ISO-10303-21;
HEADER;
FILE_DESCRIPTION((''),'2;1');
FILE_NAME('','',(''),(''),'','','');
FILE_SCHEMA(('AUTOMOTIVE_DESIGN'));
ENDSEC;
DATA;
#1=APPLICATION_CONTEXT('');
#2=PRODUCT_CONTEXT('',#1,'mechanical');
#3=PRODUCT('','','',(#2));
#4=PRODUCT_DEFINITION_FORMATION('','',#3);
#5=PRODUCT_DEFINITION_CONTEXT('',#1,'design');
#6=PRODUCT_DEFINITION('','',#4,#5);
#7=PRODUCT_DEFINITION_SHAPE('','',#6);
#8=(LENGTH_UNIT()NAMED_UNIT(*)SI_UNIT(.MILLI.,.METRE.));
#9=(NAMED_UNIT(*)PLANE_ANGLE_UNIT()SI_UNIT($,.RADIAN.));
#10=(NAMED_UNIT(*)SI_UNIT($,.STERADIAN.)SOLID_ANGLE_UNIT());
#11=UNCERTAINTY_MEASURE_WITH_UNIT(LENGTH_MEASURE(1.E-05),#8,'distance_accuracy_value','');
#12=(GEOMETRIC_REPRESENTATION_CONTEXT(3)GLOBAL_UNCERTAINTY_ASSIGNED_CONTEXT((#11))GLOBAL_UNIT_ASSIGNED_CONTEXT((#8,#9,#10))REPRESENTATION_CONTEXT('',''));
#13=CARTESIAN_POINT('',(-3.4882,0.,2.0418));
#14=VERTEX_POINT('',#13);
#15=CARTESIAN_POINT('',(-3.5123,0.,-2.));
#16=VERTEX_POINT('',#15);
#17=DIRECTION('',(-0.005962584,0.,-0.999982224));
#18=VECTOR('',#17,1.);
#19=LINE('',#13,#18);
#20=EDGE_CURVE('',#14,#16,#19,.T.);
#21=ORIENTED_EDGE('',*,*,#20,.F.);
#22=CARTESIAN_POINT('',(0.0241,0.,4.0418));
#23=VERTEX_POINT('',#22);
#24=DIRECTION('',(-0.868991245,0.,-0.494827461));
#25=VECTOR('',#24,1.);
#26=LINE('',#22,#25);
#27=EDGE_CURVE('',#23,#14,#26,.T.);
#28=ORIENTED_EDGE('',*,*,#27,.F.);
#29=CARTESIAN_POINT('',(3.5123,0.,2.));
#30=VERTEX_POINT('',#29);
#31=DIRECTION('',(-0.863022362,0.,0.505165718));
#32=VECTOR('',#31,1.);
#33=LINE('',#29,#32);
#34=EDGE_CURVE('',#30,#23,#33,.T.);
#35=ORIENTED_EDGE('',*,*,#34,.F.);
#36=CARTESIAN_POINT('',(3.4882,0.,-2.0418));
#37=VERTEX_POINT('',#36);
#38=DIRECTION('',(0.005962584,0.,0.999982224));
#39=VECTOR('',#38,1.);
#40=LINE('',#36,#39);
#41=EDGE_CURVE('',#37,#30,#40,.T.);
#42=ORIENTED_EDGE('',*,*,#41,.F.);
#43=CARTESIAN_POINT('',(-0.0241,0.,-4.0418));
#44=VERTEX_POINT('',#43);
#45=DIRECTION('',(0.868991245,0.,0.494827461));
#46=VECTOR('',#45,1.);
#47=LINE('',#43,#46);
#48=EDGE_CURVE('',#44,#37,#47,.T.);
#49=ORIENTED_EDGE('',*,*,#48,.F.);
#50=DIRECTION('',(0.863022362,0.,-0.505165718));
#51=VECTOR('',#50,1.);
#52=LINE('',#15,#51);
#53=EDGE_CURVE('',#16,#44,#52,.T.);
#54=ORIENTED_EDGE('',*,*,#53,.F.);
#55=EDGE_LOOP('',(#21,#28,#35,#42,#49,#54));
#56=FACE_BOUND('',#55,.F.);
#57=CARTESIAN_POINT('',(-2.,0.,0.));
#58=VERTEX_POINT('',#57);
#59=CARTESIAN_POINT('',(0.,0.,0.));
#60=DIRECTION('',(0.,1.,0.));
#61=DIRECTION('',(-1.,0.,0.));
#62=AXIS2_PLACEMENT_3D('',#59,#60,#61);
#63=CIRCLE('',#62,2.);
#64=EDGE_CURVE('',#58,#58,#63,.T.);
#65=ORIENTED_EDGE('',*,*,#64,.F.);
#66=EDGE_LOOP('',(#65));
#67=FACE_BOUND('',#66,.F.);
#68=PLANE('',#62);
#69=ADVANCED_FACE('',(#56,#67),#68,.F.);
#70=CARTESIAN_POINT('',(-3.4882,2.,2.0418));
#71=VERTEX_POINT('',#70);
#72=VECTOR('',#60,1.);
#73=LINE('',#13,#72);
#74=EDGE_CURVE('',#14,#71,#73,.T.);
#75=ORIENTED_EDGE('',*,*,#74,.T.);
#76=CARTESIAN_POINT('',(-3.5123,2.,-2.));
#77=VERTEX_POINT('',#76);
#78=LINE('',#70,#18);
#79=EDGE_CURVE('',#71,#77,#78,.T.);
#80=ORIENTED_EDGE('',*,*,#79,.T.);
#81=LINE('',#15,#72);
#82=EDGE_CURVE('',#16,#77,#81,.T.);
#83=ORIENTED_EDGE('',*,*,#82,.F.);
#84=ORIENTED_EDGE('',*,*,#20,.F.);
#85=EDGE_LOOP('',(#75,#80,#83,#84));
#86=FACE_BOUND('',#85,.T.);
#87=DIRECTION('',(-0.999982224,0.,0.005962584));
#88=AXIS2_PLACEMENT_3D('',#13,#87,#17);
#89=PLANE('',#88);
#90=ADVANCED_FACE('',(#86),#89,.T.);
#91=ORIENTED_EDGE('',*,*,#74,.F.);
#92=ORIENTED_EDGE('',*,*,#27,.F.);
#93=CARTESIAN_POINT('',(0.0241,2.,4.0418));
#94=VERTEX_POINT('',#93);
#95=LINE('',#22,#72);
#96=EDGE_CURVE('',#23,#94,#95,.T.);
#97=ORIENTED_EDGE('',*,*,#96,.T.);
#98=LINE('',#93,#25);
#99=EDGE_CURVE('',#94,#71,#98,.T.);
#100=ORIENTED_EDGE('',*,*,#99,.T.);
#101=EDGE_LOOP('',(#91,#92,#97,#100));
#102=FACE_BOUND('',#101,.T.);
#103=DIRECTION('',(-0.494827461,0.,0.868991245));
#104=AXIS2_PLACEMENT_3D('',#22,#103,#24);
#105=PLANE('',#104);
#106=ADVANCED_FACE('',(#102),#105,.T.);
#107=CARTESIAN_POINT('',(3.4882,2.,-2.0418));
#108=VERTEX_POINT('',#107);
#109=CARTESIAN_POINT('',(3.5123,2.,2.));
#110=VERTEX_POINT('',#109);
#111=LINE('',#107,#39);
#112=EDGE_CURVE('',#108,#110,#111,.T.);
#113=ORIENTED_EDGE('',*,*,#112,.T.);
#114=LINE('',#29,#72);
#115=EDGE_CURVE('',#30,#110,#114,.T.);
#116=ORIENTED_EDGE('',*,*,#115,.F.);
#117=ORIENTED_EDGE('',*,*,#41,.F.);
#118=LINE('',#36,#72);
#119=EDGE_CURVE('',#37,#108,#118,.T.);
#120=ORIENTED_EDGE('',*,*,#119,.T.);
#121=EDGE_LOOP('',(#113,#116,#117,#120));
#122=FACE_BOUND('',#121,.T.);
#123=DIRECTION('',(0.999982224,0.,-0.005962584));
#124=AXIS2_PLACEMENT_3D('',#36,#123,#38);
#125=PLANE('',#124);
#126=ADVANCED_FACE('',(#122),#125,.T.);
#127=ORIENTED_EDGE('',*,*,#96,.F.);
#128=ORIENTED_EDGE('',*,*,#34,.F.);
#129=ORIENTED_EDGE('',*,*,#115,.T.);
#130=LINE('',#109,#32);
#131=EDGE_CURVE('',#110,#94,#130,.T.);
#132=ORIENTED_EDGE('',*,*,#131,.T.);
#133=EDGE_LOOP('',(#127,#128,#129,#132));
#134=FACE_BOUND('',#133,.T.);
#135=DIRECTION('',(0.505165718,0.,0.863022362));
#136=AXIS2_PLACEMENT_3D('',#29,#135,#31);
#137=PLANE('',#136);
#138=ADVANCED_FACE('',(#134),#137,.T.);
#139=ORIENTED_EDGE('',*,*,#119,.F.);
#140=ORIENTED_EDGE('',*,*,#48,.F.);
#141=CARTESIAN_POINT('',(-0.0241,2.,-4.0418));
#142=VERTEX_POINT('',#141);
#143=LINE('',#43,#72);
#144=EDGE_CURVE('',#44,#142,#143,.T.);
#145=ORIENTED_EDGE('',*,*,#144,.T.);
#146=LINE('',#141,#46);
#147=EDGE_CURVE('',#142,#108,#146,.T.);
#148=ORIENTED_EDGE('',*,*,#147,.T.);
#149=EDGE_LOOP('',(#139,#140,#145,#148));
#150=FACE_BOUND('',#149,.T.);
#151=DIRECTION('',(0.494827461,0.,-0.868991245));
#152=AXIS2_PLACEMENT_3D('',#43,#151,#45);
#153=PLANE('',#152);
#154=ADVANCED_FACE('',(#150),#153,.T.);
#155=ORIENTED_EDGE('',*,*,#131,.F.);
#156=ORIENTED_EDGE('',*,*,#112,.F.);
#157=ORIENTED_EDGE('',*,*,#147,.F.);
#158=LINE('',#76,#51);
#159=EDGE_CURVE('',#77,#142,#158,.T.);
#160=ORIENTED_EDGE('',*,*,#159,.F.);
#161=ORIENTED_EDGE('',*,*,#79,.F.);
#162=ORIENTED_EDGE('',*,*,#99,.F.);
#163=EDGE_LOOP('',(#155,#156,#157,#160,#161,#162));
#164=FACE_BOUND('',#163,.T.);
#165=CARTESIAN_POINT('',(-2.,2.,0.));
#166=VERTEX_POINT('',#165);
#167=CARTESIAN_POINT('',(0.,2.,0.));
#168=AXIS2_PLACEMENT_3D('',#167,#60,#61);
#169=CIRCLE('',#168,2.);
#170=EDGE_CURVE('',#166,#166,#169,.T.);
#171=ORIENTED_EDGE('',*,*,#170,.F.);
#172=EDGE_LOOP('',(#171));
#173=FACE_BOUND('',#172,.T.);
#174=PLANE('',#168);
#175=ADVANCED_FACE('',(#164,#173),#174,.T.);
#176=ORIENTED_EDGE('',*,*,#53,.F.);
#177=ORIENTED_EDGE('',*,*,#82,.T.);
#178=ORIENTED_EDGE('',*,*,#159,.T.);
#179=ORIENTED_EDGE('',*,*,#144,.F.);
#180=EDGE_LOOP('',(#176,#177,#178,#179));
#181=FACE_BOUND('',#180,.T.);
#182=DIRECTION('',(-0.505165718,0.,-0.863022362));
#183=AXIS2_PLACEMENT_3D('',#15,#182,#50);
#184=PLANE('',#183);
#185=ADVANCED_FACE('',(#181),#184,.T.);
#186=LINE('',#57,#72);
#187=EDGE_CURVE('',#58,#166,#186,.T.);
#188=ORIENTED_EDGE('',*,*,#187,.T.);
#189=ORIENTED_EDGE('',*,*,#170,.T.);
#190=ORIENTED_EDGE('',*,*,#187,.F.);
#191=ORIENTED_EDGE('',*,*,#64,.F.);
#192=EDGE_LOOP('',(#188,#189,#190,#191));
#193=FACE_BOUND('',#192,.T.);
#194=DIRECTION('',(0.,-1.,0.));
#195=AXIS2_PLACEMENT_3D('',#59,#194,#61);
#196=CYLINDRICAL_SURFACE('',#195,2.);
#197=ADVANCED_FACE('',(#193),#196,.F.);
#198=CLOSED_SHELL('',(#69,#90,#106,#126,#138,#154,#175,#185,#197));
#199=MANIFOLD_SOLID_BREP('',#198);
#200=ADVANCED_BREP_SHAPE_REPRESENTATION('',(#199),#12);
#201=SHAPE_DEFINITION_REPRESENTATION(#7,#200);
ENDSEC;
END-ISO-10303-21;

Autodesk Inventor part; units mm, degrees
ref_plane "YZ Plane" through (0, 0, 0) normal (1, 0, 0) x (0, 1, 0)
ref_plane "XZ Plane" through (0, 0, 0) normal (0, 1, 0) x (-1, 0, 0)
ref_plane "XY Plane" through (0, 0, 0) normal (0, 0, 1) x (1, 0, 0)
sketch "Sketch1" plane through (0, 0, 0) normal (0, 1, 0) x (-1, 0, 0)
  circle A0 centre (0, 0) radius 2
  line L0 (3.5123, -2) -> (0.0241, -4.0418)
  line L1 (0.0241, -4.0418) -> (-3.4882, -2.0418)
  line L2 (-3.4882, -2.0418) -> (-3.5123, 2)
  line L3 (-3.5123, 2) -> (-0.0241, 4.0418)
  line L4 (-0.0241, 4.0418) -> (3.4882, 2.0418)
  line L5 (3.4882, 2.0418) -> (3.5123, -2)
  dimension "d0" = 4
extrude "Extrusion1" add sketch "Sketch1" along normal blind 2
properties part number "hex"
